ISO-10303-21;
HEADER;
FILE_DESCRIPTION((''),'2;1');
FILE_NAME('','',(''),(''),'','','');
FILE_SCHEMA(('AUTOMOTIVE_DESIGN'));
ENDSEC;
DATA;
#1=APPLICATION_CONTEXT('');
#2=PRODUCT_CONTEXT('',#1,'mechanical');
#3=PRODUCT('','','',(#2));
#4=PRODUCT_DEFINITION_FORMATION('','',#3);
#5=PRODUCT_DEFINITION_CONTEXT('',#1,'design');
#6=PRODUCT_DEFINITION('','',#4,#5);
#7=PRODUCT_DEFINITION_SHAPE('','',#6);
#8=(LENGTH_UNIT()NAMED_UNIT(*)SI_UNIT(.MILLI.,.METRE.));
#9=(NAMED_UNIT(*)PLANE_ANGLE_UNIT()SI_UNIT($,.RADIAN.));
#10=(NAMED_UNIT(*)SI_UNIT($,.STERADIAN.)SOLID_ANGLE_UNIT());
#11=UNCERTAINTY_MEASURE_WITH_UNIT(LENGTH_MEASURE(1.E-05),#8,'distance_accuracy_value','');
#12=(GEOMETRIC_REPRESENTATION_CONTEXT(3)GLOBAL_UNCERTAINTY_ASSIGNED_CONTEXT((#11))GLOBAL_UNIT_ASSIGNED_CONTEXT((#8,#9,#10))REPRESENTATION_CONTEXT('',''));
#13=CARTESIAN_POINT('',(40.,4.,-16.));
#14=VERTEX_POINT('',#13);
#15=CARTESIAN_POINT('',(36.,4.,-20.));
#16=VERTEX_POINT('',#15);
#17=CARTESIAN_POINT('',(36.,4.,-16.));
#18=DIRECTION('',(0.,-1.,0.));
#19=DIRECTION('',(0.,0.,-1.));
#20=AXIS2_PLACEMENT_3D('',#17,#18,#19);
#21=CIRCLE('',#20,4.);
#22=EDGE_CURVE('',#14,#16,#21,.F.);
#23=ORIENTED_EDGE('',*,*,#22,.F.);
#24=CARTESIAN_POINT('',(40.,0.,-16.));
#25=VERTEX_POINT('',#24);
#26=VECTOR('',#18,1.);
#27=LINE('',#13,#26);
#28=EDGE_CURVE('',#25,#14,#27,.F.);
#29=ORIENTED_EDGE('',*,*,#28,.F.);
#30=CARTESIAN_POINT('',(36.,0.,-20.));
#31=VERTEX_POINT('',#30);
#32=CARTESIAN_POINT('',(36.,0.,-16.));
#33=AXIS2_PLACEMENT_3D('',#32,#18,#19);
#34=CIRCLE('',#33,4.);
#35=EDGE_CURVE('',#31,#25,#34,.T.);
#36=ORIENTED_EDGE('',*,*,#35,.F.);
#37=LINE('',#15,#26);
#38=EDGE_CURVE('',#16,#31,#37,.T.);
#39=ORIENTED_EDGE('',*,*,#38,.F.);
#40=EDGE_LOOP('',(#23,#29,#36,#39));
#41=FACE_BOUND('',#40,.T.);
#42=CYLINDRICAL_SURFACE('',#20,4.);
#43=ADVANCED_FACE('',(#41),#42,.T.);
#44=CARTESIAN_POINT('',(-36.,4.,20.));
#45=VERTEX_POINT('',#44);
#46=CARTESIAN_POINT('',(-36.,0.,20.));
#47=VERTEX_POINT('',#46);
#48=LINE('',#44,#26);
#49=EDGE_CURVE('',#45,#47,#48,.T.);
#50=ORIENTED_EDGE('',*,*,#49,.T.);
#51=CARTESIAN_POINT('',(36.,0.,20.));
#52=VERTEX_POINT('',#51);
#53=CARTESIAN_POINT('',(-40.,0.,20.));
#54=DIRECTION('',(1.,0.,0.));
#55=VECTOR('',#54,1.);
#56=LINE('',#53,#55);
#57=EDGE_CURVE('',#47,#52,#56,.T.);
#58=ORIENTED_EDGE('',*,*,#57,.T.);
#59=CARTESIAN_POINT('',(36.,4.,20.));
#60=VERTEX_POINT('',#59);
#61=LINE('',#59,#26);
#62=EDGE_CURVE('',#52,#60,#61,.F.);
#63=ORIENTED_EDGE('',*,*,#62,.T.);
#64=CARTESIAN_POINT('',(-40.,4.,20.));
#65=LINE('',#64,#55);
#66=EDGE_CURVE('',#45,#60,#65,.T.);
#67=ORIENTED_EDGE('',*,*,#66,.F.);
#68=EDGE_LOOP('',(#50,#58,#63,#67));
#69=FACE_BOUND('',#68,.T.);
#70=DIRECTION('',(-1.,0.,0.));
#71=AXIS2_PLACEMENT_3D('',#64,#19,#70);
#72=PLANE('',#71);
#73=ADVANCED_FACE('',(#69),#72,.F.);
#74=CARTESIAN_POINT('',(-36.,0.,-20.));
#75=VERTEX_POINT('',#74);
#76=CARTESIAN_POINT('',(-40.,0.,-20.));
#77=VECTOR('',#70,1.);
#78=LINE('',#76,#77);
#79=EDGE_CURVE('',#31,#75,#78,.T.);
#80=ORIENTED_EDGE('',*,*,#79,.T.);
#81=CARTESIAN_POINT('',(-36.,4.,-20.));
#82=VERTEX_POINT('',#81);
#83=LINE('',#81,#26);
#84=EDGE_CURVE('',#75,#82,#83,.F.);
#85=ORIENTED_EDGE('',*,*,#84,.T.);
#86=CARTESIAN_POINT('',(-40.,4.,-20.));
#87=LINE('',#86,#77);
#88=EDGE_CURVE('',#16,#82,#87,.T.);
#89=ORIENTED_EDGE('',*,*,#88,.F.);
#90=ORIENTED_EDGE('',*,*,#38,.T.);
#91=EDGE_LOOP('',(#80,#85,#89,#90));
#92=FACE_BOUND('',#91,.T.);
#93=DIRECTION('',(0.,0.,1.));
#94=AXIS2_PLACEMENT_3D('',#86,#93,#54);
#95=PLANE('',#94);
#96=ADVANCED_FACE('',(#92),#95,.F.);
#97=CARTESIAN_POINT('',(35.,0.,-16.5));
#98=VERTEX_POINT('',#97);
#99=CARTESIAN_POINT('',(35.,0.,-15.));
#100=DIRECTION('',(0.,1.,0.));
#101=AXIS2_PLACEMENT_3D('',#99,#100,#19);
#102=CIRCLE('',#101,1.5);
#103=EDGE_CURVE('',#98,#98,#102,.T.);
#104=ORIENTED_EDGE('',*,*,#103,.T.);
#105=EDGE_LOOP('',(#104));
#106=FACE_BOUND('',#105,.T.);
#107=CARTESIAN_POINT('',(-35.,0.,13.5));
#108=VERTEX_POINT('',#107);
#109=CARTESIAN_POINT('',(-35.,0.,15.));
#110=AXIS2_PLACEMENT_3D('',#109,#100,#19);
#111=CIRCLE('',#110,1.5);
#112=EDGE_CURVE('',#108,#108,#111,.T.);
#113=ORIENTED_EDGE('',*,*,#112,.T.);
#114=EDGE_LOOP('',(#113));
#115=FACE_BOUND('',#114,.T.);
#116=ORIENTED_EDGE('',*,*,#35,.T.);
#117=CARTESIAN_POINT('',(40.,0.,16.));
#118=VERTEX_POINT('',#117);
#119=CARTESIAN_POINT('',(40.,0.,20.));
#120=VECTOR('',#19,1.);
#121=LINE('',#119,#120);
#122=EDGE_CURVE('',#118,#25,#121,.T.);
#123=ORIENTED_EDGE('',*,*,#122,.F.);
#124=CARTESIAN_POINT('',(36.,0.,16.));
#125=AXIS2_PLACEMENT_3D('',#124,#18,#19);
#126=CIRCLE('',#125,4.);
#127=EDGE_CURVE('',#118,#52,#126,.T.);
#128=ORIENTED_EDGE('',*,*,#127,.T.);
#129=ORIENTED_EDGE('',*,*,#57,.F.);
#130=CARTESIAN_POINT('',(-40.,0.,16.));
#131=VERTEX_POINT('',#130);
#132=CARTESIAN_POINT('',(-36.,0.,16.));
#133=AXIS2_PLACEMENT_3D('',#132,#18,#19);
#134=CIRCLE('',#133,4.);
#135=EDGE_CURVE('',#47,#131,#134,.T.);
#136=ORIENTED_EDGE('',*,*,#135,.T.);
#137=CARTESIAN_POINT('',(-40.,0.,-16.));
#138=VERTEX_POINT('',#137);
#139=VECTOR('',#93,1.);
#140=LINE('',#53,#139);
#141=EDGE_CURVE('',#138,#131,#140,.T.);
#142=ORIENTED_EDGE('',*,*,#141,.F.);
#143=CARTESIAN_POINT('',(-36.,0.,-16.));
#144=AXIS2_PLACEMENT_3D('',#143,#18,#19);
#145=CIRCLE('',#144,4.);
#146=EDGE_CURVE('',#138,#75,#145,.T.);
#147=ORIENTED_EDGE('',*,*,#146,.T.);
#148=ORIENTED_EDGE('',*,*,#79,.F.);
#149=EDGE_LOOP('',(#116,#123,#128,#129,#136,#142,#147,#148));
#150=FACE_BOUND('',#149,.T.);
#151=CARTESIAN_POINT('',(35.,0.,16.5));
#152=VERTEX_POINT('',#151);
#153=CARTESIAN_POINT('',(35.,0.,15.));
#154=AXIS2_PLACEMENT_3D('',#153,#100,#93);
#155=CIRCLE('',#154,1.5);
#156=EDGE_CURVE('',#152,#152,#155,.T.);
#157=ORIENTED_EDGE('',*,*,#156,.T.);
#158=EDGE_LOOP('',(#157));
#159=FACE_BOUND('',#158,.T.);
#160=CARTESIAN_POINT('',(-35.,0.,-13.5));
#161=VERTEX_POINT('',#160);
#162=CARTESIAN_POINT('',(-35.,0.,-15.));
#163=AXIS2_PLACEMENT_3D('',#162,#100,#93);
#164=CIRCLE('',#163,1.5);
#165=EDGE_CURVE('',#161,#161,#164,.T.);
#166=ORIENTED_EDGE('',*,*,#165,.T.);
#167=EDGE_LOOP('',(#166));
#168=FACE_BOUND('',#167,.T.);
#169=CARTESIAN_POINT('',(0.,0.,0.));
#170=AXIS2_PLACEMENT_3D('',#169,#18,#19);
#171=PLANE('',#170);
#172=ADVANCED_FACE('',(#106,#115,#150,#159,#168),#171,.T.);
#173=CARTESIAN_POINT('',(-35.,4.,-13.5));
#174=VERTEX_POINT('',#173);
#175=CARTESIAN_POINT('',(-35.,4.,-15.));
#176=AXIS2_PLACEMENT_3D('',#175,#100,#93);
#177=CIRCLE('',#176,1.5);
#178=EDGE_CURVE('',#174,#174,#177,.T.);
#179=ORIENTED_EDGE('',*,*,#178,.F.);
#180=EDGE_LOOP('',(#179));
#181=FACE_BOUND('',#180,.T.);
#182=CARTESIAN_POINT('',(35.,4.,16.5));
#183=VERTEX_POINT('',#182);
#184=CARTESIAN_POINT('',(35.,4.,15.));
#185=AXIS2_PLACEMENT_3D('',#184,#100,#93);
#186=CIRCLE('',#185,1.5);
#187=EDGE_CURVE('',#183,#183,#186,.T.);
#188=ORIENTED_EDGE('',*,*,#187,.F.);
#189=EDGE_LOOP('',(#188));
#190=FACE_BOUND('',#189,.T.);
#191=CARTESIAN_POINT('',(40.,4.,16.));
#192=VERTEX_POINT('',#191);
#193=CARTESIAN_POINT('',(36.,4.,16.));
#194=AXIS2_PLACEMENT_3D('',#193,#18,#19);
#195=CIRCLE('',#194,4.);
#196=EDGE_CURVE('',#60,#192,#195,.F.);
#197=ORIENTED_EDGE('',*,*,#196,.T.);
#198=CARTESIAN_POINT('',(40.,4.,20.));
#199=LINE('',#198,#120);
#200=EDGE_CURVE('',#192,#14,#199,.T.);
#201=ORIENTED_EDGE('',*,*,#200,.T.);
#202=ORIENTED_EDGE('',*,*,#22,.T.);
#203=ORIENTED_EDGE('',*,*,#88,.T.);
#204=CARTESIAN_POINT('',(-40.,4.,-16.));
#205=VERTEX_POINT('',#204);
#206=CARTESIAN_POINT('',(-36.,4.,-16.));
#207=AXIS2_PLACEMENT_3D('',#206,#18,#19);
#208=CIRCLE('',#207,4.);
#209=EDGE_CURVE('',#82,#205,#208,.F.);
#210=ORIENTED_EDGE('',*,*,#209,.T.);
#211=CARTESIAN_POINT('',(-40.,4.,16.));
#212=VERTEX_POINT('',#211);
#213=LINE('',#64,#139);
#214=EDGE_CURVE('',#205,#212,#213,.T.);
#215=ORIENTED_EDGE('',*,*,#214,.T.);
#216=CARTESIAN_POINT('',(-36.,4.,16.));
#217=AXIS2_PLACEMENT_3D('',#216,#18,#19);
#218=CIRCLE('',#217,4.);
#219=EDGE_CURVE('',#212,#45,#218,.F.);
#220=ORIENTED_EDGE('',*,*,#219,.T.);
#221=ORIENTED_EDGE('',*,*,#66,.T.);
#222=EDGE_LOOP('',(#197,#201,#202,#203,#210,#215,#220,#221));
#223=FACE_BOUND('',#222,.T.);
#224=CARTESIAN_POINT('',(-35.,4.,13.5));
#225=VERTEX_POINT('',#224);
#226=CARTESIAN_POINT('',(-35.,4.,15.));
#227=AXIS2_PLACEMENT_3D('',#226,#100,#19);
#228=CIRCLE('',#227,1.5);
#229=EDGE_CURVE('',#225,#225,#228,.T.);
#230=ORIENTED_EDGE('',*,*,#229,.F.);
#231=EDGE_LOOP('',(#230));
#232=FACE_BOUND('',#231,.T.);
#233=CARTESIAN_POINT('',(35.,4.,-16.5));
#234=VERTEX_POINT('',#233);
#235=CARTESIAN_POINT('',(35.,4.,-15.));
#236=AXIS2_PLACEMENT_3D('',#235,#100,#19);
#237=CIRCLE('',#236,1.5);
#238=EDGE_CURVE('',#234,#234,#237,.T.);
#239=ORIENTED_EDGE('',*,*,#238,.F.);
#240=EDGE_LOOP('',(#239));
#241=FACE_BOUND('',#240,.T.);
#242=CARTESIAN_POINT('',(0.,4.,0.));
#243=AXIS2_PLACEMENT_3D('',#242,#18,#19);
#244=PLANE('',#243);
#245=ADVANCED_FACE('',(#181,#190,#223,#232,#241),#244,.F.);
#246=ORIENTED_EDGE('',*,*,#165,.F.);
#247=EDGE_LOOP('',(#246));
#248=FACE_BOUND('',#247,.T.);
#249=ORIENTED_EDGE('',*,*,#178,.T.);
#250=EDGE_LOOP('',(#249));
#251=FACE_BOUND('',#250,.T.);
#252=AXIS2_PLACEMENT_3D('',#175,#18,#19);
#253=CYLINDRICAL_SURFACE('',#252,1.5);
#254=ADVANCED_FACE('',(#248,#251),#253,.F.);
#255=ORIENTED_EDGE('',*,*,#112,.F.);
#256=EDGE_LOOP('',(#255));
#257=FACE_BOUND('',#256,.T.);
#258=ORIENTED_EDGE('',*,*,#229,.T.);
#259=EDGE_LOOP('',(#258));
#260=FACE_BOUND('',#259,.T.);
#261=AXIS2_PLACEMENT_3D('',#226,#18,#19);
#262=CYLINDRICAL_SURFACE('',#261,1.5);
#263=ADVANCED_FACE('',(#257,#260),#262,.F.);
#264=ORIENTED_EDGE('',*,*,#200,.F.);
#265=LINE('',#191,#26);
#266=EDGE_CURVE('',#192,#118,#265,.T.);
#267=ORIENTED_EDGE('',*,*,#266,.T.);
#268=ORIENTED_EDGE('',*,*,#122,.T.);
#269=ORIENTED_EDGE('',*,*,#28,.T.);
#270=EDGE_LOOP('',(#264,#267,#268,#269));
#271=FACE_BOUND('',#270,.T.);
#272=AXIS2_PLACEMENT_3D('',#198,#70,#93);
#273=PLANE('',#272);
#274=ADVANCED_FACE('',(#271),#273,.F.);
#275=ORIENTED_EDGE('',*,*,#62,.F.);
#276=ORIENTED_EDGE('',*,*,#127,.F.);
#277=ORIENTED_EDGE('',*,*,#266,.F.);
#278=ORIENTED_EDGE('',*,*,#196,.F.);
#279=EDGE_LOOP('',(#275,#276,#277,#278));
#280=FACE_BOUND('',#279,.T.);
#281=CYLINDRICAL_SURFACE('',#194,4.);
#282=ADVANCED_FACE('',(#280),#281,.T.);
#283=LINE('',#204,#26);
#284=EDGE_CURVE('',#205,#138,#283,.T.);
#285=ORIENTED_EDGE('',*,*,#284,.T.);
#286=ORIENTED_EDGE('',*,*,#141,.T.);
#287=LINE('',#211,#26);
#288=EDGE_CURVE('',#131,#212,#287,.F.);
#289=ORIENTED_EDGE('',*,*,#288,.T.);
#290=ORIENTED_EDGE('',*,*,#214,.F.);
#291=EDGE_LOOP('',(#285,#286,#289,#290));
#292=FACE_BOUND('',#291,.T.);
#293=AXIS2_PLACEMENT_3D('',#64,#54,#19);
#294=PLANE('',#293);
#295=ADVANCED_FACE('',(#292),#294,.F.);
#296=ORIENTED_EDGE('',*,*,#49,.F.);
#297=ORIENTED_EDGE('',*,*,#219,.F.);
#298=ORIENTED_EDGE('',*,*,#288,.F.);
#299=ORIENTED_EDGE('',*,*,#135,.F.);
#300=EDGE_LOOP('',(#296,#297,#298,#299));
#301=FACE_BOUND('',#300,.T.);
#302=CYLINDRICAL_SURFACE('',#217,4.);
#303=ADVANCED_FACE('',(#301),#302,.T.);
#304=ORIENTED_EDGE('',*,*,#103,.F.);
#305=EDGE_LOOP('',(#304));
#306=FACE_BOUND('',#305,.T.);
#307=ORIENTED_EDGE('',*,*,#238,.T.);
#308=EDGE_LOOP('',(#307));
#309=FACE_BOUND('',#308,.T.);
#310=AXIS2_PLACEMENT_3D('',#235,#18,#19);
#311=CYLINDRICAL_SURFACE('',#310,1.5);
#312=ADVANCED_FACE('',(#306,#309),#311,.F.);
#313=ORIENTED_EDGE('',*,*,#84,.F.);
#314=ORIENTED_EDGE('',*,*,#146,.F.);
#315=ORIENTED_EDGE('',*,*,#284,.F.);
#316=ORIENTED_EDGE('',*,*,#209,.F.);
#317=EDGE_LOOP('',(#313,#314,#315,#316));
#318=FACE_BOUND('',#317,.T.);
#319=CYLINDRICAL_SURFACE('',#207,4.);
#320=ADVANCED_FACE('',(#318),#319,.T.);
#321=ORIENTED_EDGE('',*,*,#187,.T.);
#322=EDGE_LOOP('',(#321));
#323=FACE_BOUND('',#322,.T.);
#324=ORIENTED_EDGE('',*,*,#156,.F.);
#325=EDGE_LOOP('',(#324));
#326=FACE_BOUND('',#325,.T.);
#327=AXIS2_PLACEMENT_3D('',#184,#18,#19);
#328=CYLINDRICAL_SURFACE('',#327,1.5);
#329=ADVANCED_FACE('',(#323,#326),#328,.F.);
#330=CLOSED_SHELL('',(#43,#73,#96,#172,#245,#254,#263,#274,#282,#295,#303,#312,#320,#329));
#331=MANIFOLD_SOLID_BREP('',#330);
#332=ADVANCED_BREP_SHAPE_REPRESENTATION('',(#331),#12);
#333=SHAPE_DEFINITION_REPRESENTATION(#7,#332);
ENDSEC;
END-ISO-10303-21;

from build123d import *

# Parameters (mm, degrees)
SKETCH1_W           = 80
SKETCH1_H           = 40
SKETCH1_R           = 1.5
BOSS_EXTRUDE1_DEPTH = 4
FILLET1_R           = 4


with BuildPart() as part:
    # Sketch1 → Boss-Extrude1 (new body)
    with BuildSketch(Plane(origin=(0, 0, 0), x_dir=(1, 0, 0), z_dir=(0, 1, 0))):
        Rectangle(SKETCH1_W, SKETCH1_H)
        with Locations(Location((-35, 15, 0), (0, 0, 270))):
            Circle(SKETCH1_R, mode=Mode.SUBTRACT)
        with Locations(Location((35, 15, 0), (0, 0, 90))):
            Circle(SKETCH1_R, mode=Mode.SUBTRACT)
        with Locations(Location((35, -15, 0), (0, 0, 270))):
            Circle(SKETCH1_R, mode=Mode.SUBTRACT)
        with Locations(Location((-35, -15, 0), (0, 0, 90))):
            Circle(SKETCH1_R, mode=Mode.SUBTRACT)
    extrude(amount=BOSS_EXTRUDE1_DEPTH)

    # Fillet1
    fillet1_edges = [part.edges().sort_by_distance(p)[0] for p in [
        (-40, 2, -20),
        (40, 2, -20),
        (40, 2, 20),
        (-40, 2, 20),
    ]]
    fillet(fillet1_edges, radius=FILLET1_R)


solid = part.part
